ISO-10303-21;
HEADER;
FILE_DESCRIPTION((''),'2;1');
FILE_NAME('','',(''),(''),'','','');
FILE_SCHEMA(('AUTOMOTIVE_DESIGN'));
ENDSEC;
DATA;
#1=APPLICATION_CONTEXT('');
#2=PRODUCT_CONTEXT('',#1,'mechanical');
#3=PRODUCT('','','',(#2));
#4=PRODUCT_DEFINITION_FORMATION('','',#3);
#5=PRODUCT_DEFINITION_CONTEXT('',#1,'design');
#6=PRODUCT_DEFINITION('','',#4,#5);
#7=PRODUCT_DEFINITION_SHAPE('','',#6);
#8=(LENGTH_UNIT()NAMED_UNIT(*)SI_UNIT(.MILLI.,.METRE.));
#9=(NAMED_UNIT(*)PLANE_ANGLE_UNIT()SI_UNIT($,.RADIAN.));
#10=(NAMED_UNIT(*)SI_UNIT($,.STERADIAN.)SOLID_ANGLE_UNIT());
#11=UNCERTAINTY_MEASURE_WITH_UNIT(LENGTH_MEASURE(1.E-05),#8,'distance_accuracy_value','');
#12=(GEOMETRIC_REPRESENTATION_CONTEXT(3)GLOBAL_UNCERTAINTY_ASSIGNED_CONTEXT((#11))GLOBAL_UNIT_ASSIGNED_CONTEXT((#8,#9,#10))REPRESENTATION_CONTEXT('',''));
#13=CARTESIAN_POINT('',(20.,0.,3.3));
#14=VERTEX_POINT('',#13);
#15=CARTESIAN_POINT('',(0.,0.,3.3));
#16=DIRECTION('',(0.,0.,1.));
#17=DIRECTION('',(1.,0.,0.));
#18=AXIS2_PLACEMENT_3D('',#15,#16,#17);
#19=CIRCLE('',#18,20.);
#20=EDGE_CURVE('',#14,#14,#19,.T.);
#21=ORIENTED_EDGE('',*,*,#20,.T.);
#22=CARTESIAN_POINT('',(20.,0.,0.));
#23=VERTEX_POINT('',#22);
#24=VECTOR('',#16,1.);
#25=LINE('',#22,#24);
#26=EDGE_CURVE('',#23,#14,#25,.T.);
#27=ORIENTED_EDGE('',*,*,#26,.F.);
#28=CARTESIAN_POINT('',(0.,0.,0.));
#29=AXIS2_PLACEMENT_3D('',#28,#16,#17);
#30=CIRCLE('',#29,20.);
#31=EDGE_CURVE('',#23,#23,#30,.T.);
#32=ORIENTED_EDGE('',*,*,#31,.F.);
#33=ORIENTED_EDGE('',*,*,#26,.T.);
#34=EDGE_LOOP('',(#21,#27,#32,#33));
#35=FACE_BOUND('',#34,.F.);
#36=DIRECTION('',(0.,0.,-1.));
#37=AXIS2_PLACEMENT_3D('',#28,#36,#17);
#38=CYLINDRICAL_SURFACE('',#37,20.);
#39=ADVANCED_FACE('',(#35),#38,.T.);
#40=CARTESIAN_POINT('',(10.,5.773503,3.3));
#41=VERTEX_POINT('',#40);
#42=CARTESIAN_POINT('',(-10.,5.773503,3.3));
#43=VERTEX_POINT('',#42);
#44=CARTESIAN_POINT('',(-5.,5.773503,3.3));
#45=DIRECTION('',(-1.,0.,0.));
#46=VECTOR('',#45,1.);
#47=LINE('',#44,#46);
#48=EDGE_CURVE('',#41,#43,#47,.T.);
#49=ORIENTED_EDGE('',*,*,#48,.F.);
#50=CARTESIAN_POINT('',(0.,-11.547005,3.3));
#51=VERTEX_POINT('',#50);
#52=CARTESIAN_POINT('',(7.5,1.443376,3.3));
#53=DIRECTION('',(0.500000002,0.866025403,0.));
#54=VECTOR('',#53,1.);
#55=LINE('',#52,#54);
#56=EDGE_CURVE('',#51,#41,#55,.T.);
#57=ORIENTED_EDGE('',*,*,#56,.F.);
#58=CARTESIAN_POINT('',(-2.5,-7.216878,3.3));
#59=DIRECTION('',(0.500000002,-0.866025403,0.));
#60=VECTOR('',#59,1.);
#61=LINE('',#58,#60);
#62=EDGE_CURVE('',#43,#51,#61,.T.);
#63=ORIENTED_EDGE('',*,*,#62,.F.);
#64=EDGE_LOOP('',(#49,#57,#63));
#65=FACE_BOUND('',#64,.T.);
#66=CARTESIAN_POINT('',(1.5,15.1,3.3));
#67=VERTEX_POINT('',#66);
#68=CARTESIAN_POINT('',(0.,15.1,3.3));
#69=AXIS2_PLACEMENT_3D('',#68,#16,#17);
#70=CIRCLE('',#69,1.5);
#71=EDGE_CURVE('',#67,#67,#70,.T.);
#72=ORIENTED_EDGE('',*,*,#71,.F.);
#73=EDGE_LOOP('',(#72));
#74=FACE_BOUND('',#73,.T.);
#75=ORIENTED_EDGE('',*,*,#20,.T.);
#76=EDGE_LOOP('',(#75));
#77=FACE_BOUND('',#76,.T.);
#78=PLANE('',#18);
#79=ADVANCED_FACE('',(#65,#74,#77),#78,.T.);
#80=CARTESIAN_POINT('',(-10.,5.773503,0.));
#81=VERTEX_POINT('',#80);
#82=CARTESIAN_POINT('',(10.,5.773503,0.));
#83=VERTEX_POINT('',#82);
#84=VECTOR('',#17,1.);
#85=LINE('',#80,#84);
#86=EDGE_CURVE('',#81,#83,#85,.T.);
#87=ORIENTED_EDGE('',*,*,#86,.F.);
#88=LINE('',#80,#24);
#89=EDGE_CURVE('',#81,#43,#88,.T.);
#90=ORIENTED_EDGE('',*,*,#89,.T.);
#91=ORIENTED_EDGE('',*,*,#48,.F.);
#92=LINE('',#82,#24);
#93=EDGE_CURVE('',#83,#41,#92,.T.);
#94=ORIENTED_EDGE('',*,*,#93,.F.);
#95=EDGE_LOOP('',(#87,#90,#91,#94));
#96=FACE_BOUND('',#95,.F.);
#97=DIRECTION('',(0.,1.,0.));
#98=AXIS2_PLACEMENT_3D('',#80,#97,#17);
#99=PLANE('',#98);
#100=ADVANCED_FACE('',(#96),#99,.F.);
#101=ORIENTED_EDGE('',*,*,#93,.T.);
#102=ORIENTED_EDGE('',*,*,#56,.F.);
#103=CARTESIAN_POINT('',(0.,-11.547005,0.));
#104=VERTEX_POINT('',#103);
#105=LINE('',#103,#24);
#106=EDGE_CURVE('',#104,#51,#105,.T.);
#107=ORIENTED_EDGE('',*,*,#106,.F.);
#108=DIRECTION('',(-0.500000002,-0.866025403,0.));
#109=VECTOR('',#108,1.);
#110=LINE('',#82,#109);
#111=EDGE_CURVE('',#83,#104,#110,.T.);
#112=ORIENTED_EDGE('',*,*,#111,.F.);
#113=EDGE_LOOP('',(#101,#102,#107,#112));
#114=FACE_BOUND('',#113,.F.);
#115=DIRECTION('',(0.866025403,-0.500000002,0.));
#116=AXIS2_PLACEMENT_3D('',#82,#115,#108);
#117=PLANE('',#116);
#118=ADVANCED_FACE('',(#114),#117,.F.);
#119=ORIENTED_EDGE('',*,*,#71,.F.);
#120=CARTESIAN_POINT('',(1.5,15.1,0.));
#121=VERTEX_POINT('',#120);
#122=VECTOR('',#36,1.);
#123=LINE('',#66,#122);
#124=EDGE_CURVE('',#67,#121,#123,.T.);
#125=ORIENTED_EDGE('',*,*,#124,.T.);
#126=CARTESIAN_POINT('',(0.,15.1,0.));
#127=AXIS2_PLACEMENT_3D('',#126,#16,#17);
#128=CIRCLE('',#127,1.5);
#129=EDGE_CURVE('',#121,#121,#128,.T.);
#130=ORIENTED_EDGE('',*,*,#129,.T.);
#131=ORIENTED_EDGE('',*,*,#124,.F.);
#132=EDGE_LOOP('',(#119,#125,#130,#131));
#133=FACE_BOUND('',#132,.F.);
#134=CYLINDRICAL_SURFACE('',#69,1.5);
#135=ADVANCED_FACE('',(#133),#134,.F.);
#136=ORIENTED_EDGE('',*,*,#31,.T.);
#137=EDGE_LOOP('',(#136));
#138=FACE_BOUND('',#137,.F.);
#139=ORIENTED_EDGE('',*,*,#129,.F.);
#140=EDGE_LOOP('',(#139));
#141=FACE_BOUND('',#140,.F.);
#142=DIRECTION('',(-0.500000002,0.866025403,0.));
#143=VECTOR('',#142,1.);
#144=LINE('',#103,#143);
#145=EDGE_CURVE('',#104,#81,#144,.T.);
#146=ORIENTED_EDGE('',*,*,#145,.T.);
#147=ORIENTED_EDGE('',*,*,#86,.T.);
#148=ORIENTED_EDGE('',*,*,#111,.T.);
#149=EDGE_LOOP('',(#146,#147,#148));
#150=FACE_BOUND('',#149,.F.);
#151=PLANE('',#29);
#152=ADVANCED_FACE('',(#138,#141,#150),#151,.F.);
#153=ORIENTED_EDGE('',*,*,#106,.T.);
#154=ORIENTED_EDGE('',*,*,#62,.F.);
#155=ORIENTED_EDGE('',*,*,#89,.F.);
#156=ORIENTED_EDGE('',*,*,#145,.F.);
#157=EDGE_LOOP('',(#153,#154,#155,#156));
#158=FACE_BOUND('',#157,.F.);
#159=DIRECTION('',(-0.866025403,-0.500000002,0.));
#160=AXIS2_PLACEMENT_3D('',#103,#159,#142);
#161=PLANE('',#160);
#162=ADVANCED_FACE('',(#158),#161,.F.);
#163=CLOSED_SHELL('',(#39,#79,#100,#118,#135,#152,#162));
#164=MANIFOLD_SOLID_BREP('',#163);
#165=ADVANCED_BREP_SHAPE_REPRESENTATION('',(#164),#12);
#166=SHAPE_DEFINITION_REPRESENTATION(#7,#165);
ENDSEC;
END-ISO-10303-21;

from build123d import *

# Parameters (mm, degrees)
CYLINDER_R      = 20
CYLINDER_DEPTH  = 3.3
SKETCH_R        = 1.5
POCKET_DEPTH    = 3.301
POCKET001_DEPTH = 3.301


with BuildPart() as part:
    # Cylinder → Cylinder (new body)
    with BuildSketch(Plane.XY):
        Circle(CYLINDER_R)
    extrude(amount=CYLINDER_DEPTH)

    # Sketch → Pocket (cut, through all)
    with BuildSketch(Plane.XY.offset(3.3)):
        with Locations((0, 15.1)):
            Circle(SKETCH_R)
    extrude(amount=-POCKET_DEPTH, mode=Mode.SUBTRACT)

    # Sketch001 → Pocket001 (cut, through all)
    with BuildSketch(Plane(origin=(0, 0, 0), x_dir=(1, 0, 0), z_dir=(0, 0, -1))):
        Polygon((0, 11.547005), (-10, -5.773503), (10, -5.773503), align=None)
    extrude(amount=-POCKET001_DEPTH, mode=Mode.SUBTRACT)


solid = part.part
